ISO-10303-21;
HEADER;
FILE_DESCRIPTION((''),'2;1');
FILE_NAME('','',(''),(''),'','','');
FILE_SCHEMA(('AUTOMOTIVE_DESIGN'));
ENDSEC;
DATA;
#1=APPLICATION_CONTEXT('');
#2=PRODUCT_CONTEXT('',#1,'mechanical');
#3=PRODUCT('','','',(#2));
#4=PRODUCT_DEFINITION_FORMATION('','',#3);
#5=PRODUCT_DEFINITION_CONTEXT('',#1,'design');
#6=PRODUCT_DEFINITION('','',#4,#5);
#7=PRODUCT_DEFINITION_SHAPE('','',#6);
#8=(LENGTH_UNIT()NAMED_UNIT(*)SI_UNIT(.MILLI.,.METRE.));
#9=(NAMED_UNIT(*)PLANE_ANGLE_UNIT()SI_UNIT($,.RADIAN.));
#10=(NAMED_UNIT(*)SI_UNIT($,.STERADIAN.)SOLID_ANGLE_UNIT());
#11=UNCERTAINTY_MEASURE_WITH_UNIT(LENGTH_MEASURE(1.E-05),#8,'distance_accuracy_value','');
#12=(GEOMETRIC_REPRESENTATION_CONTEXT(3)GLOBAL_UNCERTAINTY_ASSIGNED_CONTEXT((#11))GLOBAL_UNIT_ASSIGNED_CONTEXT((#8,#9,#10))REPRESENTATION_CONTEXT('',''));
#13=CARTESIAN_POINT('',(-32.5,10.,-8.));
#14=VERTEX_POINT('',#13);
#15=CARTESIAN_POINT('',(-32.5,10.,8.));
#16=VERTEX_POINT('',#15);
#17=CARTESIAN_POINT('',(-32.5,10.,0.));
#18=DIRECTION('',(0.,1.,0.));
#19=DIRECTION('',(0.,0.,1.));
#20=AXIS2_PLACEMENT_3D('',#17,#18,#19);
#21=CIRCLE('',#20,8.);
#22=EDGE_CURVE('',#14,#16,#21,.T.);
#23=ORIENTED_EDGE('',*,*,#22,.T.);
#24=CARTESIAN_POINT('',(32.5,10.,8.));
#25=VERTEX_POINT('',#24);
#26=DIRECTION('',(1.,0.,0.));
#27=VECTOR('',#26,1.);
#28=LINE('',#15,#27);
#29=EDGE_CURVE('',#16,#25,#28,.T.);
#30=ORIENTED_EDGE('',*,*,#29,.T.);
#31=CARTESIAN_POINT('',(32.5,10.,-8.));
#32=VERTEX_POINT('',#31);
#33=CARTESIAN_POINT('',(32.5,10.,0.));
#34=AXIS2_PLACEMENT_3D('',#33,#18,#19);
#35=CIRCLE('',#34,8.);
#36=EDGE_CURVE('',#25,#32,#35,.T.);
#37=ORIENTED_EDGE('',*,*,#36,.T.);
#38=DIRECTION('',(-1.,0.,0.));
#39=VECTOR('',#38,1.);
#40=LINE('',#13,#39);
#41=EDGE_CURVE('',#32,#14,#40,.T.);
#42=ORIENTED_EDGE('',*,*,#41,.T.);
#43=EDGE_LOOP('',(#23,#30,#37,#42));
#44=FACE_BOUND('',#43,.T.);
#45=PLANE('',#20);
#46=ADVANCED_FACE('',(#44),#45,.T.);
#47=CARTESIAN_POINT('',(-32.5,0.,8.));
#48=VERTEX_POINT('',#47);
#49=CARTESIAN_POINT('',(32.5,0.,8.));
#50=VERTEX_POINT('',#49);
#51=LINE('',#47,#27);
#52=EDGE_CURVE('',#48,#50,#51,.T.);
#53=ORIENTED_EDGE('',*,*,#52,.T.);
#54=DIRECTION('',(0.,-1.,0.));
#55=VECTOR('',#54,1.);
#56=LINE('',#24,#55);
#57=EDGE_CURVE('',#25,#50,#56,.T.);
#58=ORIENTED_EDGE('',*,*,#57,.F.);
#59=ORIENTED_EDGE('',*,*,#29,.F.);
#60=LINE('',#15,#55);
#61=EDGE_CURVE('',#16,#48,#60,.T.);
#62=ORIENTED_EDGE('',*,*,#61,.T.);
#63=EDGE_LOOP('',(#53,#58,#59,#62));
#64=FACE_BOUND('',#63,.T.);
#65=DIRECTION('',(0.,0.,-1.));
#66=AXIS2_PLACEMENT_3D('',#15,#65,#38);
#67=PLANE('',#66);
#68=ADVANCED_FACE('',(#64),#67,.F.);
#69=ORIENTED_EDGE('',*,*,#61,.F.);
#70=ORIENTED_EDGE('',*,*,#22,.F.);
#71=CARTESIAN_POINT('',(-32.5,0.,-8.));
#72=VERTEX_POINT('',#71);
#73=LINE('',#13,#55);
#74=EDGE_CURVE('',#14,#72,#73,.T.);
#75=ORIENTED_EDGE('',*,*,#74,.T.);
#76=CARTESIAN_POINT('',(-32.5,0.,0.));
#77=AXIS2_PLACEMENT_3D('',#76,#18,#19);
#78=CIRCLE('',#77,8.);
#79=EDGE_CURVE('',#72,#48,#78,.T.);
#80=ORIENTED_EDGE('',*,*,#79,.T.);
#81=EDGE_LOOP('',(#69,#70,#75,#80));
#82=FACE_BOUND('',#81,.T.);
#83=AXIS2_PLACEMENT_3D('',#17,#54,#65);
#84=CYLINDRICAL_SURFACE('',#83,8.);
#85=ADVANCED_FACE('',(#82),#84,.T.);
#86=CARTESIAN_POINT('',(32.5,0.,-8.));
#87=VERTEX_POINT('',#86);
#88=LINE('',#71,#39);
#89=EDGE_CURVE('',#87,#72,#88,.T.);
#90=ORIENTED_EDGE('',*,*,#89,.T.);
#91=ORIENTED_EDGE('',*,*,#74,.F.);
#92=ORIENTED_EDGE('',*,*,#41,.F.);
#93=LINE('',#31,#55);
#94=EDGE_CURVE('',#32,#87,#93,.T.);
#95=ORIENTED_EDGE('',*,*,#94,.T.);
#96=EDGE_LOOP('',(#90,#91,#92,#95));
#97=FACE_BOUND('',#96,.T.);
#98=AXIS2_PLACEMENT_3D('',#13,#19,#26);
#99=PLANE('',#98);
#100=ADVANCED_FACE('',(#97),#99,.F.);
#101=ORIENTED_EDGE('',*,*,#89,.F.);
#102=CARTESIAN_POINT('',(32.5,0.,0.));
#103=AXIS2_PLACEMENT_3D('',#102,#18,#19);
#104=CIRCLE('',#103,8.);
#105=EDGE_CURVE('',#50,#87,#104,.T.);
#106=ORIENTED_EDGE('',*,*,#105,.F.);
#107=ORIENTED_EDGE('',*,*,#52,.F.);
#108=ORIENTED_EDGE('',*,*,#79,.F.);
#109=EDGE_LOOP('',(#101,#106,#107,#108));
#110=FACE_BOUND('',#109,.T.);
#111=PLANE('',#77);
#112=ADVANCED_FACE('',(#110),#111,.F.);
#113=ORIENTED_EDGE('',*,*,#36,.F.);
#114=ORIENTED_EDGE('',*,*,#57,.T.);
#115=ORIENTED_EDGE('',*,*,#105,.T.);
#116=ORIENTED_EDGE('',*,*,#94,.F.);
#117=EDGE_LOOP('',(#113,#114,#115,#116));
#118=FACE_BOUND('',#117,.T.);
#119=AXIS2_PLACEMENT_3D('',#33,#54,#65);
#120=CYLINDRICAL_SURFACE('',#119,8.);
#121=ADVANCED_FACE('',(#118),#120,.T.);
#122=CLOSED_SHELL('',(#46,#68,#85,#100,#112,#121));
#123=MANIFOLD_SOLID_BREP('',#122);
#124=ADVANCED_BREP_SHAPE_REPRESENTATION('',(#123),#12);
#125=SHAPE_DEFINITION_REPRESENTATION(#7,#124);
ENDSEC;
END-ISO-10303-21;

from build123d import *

# Parameters (mm, degrees)
BOSS_EXTRU_1_DEPTH = 10


with BuildPart() as part:
    # Esquisse1 → Boss.-Extru.1 (new body)
    with BuildSketch(Plane(origin=(0, 0, 0), x_dir=(1, 0, 0), z_dir=(0, 1, 0))):
        with BuildLine():
            Line((-32.5, 8), (32.5, 8))
            ThreePointArc((32.5, 8), (40.5, 0), (32.5, -8))
            Line((32.5, -8), (-32.5, -8))
            ThreePointArc((-32.5, -8), (-40.5, 0), (-32.5, 8))
        make_face()
    extrude(amount=BOSS_EXTRU_1_DEPTH)


solid = part.part
